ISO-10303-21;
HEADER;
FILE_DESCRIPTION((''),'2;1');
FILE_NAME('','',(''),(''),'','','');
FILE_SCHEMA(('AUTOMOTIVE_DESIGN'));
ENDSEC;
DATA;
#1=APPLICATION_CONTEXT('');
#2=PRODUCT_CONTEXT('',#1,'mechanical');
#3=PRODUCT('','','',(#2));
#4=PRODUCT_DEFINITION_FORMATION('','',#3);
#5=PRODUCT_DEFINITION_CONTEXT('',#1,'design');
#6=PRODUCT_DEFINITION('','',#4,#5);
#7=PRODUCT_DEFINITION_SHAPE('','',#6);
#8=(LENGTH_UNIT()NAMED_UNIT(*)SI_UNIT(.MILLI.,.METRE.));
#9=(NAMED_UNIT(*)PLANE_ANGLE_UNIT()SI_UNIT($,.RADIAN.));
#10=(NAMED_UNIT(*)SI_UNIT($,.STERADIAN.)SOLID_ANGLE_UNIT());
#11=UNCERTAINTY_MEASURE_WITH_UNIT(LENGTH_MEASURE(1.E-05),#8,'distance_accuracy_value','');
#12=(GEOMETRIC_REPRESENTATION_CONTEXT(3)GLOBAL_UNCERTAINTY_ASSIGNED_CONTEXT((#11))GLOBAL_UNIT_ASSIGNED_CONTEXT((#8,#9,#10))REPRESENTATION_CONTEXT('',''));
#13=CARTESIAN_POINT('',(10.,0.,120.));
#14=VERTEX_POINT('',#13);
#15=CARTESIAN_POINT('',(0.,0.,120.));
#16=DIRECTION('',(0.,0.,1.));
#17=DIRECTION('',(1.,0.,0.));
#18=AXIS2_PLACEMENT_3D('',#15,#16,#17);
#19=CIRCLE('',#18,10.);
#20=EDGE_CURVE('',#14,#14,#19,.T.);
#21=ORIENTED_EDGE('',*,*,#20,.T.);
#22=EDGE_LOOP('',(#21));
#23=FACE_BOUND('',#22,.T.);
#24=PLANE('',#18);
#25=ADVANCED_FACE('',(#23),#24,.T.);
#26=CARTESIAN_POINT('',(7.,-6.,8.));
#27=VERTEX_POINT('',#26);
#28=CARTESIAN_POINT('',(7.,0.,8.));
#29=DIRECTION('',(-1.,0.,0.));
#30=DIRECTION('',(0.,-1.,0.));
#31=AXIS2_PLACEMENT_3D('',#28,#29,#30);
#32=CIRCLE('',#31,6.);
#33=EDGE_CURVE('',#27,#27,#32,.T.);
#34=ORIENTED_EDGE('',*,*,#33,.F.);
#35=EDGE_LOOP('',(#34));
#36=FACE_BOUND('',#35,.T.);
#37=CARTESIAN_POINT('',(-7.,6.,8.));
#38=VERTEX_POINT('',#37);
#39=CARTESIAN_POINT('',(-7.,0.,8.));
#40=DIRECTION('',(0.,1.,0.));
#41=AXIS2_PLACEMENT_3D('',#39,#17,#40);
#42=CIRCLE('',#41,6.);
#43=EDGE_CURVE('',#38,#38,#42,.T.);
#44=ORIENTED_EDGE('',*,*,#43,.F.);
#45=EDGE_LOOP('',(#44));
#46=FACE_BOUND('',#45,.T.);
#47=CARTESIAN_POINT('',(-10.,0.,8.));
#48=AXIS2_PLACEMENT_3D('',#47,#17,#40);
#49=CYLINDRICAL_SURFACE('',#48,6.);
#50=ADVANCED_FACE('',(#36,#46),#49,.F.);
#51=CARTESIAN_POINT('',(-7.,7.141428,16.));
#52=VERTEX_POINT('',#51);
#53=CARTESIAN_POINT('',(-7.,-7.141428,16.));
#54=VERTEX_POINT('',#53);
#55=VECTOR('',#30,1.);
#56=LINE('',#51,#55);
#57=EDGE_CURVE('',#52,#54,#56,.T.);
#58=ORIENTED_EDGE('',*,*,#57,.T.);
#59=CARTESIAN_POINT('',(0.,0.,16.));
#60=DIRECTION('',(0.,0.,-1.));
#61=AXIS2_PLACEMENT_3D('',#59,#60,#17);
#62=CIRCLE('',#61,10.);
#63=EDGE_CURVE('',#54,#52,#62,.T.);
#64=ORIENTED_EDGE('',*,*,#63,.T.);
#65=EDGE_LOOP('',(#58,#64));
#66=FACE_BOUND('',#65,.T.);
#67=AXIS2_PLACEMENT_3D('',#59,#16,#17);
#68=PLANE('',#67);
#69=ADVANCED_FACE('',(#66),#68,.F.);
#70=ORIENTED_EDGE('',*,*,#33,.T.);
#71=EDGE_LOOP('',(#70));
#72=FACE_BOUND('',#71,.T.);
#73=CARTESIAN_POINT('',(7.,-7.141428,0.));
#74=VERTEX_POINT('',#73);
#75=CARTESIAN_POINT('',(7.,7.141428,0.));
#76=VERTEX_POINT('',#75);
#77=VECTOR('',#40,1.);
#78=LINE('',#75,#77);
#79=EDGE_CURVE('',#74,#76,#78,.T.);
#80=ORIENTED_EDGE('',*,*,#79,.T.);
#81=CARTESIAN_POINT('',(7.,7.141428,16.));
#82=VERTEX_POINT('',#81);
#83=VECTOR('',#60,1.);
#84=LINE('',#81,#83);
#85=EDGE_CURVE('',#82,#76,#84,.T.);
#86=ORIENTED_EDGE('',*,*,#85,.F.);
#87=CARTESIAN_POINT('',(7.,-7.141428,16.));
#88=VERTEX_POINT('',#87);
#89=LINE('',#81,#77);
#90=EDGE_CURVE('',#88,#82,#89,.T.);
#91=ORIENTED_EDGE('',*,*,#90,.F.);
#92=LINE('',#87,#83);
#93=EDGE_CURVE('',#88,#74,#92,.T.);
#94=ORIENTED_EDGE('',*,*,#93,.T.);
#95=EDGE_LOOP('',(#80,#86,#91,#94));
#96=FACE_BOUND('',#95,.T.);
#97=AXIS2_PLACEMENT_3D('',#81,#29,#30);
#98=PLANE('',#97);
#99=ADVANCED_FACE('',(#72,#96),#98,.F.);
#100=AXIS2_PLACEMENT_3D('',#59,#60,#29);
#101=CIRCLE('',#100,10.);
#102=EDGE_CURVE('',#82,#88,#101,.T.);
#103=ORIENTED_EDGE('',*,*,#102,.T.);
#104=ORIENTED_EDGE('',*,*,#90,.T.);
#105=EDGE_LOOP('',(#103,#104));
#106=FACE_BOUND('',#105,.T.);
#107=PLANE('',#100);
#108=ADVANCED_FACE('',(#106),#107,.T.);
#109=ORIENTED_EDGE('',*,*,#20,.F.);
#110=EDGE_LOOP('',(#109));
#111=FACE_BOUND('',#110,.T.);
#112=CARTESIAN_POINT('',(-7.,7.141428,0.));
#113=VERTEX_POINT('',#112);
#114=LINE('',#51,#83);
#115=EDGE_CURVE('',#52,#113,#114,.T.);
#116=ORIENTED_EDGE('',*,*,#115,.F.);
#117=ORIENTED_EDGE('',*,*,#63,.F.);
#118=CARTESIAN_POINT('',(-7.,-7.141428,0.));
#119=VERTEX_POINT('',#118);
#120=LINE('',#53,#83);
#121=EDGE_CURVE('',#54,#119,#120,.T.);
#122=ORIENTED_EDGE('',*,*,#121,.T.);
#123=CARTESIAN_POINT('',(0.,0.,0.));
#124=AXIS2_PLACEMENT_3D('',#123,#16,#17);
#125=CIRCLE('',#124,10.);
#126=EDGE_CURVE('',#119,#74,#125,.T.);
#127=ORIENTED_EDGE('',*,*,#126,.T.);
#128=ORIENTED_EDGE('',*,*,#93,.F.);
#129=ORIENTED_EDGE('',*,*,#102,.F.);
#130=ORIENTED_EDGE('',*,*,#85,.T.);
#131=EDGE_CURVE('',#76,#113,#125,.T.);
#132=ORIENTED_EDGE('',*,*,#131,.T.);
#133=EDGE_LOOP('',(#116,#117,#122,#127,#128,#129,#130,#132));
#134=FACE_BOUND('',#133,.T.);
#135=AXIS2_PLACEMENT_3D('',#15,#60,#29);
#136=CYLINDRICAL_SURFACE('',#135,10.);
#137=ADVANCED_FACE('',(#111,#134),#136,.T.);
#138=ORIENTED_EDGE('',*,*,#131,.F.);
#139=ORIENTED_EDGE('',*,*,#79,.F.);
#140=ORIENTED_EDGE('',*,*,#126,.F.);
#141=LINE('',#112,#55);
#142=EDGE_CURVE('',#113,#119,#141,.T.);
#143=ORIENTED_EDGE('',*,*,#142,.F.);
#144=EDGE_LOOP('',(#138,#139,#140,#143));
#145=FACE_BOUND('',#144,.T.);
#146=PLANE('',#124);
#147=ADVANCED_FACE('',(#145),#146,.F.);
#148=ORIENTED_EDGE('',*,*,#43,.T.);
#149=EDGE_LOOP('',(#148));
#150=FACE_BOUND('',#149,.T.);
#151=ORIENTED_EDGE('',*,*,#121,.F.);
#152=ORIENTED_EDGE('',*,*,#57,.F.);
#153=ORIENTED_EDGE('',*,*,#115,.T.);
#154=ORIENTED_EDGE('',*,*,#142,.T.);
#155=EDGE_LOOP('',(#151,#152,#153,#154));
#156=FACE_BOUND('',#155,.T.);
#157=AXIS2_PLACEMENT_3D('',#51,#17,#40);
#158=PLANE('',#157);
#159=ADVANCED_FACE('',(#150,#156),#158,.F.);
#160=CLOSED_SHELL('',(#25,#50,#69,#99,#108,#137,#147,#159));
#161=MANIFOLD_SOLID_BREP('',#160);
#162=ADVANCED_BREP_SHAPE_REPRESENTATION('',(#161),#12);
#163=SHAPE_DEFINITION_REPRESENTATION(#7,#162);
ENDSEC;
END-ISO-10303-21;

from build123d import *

# Parameters (mm, degrees)
ESQUISSE1_R                  = 10
BOSS_EXTRU_1_DEPTH           = 120
ENL_V_MAT_EXTRU_1_DEPTH      = 16
ENL_V_MAT_EXTRU_2_DEPTH      = 122.610032481
ENL_V_MAT_EXTRU_2_DEPTH_BACK = 122.610032481
ESQUISSE3_R                  = 6


with BuildPart() as part:
    # Esquisse1 → Boss.-Extru.1 (new body)
    with BuildSketch(Plane.XY):
        Circle(ESQUISSE1_R)
    extrude(amount=BOSS_EXTRU_1_DEPTH)

    # Esquisse2 → Enlèv. mat.-Extru.1 (cut)
    with BuildSketch(Plane(origin=(0, 0, 0), x_dir=(-1, 0, 0), z_dir=(0, 0, -1))):
        with BuildLine():
            Line((-7, 7.141428429), (-7, -7.141428429))
            ThreePointArc((-7, -7.141428429), (-10, 0), (-7, 7.141428429))
        make_face()
        with BuildLine():
            Line((7, 7.141428429), (7, -7.141428429))
            ThreePointArc((7, -7.141428429), (10, 0), (7, 7.141428429))
        make_face()
    extrude(amount=-ENL_V_MAT_EXTRU_1_DEPTH, mode=Mode.SUBTRACT)

    # Esquisse3 → Enlèv. mat.-Extru.2 (cut, two sides: drawn at the far end of the back side and taken through both)
    with BuildSketch(Plane(origin=(7, 0, 0), x_dir=(0, 0, -1), z_dir=(1, 0, 0)).offset(-ENL_V_MAT_EXTRU_2_DEPTH_BACK)):
        with Locations(Location((-8, 0, 0), (0, 0, 90))):
            Circle(ESQUISSE3_R)
    extrude(amount=ENL_V_MAT_EXTRU_2_DEPTH + ENL_V_MAT_EXTRU_2_DEPTH_BACK, mode=Mode.SUBTRACT)


solid = part.part
